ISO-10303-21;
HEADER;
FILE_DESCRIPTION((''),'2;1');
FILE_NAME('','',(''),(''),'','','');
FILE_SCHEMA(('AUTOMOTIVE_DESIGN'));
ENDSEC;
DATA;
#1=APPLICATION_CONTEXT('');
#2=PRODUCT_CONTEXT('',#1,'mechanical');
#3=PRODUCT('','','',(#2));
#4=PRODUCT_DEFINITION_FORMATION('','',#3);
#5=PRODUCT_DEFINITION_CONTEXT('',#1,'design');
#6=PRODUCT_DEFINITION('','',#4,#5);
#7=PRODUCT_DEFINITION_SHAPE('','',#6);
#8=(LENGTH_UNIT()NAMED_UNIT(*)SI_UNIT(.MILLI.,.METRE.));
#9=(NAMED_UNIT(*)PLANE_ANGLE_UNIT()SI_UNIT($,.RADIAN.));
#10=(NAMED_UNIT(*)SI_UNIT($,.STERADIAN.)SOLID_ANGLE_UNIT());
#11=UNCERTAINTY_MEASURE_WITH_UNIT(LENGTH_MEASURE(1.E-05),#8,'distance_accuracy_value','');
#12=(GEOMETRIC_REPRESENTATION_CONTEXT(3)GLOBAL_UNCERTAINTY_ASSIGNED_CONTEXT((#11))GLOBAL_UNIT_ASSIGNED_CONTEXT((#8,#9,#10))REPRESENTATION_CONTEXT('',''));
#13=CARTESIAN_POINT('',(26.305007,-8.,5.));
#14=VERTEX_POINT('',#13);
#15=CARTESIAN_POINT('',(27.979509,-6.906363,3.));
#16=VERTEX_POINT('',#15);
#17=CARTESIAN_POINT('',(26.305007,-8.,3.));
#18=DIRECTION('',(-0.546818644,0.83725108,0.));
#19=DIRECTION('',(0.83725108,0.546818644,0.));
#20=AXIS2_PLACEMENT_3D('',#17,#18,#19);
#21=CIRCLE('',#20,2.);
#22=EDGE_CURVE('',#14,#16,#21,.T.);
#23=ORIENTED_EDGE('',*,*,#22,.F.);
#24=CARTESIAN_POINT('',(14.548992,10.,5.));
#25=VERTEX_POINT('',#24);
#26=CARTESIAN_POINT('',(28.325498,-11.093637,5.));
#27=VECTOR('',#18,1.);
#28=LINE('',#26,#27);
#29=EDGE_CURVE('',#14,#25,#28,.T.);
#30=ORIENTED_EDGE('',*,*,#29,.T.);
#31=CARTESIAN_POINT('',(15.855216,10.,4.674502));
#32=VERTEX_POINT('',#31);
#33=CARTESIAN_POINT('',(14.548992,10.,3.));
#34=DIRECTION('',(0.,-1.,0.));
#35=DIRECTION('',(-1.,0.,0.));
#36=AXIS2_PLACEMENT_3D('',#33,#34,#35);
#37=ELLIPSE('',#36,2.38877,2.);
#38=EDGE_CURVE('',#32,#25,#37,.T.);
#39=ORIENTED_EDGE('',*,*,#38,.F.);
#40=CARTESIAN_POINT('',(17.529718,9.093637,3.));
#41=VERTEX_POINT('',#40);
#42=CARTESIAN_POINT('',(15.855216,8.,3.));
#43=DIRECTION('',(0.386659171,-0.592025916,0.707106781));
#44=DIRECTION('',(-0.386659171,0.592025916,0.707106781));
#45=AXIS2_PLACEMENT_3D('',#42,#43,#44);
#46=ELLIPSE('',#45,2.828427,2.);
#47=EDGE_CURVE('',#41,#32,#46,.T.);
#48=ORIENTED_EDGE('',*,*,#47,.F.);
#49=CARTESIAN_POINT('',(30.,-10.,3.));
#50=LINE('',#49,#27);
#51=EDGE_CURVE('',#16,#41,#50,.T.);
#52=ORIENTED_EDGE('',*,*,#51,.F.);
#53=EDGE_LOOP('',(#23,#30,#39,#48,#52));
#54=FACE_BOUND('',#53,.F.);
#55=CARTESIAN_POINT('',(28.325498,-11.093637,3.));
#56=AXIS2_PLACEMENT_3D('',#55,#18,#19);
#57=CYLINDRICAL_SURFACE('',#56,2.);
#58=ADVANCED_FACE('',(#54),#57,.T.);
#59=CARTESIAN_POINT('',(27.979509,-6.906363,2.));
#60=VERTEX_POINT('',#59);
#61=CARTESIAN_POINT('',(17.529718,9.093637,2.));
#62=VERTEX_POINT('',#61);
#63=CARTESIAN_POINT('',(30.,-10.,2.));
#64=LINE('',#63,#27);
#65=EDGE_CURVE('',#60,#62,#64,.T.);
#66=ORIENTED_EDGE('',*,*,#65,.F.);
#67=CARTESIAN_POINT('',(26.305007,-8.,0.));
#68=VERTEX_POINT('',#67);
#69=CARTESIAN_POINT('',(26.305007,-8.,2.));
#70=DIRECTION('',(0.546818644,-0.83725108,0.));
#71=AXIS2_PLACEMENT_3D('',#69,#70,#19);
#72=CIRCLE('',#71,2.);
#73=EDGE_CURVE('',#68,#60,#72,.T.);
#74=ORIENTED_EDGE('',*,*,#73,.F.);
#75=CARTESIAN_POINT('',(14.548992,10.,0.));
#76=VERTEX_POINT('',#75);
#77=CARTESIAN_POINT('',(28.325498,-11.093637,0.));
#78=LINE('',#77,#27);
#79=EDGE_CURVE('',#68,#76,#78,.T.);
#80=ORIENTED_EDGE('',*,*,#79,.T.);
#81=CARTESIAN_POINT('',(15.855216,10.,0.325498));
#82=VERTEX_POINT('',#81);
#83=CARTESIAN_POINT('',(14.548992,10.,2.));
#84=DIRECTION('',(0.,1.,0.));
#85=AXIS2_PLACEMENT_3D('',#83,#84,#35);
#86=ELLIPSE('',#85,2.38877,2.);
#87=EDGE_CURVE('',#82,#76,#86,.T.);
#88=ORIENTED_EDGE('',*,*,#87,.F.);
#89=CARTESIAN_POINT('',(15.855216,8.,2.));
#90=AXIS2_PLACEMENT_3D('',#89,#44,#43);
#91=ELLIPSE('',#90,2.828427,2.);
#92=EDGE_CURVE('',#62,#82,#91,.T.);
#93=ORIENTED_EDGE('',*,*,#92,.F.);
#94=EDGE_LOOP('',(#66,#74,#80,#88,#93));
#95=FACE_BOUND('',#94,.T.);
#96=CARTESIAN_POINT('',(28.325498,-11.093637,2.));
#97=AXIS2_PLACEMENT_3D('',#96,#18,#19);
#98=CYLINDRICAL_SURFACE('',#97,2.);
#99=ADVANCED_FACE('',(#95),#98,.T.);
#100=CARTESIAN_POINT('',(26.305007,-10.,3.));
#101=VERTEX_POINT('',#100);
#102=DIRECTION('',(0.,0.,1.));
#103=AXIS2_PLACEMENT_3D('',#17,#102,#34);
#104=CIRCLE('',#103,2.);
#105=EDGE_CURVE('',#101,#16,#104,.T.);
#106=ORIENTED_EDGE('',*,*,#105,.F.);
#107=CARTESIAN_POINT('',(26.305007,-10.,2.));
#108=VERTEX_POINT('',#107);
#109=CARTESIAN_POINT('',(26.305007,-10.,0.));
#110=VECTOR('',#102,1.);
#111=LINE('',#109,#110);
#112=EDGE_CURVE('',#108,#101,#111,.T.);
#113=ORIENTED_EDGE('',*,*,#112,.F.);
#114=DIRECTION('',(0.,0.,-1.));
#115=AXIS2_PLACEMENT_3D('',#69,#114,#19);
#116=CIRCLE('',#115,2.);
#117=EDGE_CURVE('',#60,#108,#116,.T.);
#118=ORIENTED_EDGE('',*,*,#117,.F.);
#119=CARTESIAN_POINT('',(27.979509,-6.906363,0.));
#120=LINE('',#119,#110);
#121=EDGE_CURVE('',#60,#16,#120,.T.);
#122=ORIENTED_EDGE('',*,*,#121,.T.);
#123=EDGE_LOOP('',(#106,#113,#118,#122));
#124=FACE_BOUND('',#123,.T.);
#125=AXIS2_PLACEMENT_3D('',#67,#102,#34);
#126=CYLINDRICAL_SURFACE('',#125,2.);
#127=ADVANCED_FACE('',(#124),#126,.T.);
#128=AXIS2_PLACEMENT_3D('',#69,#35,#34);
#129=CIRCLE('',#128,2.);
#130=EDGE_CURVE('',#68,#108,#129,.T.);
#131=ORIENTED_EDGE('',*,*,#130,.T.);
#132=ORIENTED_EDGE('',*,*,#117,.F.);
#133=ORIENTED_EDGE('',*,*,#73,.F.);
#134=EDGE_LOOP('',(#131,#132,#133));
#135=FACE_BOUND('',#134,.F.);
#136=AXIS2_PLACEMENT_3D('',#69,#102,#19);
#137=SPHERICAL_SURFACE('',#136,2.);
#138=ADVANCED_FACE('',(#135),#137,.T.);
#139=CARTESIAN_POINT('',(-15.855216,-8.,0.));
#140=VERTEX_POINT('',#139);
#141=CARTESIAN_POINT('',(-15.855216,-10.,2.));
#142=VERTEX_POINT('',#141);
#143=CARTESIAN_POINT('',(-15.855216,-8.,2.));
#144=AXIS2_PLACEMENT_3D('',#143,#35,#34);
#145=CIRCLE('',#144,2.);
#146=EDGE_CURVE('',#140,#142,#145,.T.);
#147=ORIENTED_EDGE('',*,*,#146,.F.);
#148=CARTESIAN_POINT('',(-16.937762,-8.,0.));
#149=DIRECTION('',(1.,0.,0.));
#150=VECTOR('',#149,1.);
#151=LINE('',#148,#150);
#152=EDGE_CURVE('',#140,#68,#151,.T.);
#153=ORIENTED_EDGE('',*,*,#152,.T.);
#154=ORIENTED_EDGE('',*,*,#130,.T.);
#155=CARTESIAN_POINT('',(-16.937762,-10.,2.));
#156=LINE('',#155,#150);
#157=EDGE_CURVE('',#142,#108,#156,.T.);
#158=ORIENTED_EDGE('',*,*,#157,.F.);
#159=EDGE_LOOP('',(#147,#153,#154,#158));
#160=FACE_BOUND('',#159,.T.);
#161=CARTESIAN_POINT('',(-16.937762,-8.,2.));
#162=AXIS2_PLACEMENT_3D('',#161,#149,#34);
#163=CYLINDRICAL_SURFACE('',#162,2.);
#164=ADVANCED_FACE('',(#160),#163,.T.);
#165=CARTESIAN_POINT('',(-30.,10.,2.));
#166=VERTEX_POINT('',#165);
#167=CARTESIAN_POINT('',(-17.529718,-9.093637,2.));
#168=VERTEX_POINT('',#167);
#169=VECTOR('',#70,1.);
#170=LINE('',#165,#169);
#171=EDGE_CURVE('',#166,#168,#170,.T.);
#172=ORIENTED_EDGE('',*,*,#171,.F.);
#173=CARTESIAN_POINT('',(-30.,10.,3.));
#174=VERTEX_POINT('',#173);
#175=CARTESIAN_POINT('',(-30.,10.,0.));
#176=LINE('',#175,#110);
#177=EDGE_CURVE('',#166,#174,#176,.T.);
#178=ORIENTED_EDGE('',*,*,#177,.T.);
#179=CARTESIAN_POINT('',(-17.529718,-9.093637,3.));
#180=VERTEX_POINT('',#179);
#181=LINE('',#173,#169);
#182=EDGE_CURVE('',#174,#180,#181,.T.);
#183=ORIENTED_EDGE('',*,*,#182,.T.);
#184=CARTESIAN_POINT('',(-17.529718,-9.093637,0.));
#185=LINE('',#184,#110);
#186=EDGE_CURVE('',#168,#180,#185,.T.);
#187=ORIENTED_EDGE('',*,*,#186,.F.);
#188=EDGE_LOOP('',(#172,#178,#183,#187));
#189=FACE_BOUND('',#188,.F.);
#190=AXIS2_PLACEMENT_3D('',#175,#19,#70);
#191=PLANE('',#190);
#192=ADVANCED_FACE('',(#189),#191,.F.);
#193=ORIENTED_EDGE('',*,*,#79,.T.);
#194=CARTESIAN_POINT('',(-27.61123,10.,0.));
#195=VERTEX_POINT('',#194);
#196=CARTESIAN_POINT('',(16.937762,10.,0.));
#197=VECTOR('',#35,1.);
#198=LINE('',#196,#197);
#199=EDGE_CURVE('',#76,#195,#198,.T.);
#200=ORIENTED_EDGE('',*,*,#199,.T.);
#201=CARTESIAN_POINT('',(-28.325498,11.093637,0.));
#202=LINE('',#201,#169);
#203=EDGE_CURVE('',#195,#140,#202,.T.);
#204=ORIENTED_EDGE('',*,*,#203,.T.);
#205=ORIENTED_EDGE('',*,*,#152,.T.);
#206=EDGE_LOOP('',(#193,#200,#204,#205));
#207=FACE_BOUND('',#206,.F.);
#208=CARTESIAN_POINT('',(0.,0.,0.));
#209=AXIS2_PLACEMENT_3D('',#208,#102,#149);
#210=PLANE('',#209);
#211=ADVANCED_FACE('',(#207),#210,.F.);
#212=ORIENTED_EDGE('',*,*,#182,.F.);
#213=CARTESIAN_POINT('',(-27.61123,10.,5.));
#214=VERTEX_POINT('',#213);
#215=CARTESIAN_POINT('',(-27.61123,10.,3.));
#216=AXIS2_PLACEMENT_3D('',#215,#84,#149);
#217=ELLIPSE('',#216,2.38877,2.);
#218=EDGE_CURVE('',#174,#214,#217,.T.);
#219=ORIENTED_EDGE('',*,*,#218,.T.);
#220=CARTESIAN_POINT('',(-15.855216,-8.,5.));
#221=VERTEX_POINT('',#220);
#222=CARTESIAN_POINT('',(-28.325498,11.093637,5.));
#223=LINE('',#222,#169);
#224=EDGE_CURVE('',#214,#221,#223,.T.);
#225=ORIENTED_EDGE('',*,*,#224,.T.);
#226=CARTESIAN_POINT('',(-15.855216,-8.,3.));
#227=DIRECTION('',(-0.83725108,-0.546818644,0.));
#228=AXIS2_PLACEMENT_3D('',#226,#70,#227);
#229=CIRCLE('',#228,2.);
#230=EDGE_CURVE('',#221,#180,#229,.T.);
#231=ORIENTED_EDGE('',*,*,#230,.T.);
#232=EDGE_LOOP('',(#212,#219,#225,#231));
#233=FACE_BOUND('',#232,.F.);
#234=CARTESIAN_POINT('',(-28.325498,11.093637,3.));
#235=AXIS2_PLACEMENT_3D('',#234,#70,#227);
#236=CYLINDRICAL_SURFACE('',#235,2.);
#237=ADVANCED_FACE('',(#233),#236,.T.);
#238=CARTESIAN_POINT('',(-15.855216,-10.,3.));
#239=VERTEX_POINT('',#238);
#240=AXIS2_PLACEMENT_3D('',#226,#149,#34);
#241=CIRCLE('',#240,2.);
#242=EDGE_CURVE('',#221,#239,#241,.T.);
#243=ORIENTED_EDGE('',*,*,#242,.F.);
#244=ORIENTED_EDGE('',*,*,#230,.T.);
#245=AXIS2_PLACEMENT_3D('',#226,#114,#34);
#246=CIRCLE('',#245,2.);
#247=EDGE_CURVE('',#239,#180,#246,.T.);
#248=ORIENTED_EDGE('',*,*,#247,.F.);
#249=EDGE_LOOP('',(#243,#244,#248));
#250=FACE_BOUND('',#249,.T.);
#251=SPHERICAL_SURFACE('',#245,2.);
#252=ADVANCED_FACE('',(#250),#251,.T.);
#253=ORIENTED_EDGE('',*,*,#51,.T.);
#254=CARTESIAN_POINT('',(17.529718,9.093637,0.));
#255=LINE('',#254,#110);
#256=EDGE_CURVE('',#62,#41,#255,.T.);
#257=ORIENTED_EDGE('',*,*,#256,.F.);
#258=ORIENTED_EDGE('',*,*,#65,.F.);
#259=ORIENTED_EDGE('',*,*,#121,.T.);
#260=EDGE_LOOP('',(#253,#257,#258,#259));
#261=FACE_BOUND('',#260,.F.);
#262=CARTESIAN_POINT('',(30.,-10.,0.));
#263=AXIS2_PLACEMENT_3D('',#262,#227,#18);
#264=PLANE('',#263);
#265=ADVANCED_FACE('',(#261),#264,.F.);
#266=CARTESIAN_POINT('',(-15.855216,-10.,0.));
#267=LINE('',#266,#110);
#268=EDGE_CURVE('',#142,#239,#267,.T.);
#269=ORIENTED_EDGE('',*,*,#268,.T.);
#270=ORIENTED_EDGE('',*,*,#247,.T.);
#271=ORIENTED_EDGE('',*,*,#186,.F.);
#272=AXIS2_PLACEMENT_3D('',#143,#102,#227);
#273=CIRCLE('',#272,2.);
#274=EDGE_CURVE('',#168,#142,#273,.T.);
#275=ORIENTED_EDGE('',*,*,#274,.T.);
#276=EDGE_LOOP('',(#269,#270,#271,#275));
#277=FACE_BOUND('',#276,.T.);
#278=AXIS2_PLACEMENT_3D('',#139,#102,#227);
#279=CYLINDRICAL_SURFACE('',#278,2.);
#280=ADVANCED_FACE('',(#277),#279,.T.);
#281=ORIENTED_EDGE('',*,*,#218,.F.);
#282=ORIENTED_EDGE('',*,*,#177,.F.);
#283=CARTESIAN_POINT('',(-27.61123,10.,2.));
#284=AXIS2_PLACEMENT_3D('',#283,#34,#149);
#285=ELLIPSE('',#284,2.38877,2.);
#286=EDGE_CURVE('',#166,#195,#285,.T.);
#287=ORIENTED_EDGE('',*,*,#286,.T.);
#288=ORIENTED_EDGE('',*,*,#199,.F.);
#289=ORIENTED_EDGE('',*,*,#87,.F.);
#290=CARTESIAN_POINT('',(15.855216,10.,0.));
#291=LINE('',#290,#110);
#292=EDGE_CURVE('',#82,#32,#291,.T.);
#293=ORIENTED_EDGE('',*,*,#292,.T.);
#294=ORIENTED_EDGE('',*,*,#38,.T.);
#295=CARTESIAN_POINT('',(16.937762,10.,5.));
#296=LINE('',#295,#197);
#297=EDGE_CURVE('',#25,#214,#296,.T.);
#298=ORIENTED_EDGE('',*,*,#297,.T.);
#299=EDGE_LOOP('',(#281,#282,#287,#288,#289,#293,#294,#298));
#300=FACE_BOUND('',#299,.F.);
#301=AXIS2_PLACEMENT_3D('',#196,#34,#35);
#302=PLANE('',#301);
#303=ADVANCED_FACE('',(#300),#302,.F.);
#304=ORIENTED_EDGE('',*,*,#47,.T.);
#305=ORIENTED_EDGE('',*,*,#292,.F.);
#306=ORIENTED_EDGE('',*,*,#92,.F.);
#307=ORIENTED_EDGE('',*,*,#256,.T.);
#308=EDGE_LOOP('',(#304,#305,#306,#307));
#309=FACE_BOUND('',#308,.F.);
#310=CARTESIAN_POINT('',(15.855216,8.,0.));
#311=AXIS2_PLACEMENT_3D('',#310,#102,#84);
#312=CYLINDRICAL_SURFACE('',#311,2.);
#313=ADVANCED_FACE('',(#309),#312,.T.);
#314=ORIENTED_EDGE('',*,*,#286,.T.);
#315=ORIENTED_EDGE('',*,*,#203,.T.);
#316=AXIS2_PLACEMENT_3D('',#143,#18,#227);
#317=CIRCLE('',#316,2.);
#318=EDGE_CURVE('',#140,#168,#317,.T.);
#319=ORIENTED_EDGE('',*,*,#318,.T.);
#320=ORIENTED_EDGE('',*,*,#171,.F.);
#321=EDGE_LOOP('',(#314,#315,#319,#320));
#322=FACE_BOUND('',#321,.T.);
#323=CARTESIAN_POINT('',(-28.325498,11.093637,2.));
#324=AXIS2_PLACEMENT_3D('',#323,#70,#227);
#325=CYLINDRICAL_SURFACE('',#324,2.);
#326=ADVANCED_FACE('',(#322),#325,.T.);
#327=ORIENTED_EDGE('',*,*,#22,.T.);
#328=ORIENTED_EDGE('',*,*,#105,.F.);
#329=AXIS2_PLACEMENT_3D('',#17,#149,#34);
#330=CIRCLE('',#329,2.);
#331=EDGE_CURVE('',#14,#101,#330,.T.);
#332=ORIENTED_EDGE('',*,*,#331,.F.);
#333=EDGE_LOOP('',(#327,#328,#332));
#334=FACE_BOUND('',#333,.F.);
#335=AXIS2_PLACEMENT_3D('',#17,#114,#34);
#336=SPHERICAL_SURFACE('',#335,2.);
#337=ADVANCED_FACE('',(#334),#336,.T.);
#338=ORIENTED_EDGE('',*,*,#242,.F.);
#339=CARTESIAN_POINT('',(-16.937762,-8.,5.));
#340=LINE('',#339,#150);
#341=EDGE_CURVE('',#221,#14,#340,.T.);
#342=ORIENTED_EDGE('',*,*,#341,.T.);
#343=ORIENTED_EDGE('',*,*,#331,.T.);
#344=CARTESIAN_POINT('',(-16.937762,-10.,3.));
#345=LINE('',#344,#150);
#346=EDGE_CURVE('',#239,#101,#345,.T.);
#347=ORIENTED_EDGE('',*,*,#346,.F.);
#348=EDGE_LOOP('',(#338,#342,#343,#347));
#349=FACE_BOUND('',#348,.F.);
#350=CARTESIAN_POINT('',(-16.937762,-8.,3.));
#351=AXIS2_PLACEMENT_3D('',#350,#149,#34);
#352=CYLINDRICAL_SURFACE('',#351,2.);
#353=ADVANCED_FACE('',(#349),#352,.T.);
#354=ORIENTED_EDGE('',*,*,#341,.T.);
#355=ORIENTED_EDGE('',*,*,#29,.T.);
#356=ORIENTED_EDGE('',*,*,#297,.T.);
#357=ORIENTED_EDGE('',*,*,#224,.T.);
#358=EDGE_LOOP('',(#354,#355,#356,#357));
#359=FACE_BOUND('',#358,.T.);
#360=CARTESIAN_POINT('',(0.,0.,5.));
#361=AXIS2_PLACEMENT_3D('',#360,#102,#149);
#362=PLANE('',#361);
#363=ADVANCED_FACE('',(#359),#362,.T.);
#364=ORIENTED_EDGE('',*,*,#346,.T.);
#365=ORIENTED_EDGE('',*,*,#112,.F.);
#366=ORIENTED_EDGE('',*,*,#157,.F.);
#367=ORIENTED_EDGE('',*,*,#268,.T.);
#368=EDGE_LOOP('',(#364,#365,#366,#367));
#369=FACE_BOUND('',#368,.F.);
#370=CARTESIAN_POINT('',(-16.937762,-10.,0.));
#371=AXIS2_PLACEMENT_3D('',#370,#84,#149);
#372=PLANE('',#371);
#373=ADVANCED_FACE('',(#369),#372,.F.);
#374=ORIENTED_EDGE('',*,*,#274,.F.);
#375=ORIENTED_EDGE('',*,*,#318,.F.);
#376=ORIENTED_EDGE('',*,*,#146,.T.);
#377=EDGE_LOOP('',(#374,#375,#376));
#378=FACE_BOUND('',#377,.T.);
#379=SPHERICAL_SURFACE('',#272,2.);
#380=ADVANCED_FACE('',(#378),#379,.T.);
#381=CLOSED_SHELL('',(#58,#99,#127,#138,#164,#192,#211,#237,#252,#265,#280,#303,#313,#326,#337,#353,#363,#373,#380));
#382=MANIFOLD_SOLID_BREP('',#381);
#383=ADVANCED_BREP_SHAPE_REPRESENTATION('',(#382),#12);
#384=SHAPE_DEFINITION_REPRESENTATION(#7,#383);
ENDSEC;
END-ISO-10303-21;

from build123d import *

# Parameters (mm, degrees)
F1_DEPTH = 5
F2_R     = 2


with BuildPart() as f1:
    # F0 (on Top) → F1 (new body)
    with BuildSketch(Plane.XY):
        Polygon((16.937762, 10), (-30, 10), (-16.937762, -10), (30, -10), align=None)
    extrude(amount=F1_DEPTH)

    # F2
    f2_edges = [f1.edges().sort_by_distance(p)[0] for p in [
        (6.531119, -10, 5),
        (-23.468881, 0, 5),
        (-23.468881, 0, 0),
        (23.468881, 0, 5),
        (30, -10, 2.5),
        (16.937762, 10, 2.5),
        (23.468881, 0, 0),
        (6.531119, -10, 0),
        (-16.937762, -10, 2.5),
    ]]
    fillet(f2_edges, radius=F2_R)


solid = f1.part
